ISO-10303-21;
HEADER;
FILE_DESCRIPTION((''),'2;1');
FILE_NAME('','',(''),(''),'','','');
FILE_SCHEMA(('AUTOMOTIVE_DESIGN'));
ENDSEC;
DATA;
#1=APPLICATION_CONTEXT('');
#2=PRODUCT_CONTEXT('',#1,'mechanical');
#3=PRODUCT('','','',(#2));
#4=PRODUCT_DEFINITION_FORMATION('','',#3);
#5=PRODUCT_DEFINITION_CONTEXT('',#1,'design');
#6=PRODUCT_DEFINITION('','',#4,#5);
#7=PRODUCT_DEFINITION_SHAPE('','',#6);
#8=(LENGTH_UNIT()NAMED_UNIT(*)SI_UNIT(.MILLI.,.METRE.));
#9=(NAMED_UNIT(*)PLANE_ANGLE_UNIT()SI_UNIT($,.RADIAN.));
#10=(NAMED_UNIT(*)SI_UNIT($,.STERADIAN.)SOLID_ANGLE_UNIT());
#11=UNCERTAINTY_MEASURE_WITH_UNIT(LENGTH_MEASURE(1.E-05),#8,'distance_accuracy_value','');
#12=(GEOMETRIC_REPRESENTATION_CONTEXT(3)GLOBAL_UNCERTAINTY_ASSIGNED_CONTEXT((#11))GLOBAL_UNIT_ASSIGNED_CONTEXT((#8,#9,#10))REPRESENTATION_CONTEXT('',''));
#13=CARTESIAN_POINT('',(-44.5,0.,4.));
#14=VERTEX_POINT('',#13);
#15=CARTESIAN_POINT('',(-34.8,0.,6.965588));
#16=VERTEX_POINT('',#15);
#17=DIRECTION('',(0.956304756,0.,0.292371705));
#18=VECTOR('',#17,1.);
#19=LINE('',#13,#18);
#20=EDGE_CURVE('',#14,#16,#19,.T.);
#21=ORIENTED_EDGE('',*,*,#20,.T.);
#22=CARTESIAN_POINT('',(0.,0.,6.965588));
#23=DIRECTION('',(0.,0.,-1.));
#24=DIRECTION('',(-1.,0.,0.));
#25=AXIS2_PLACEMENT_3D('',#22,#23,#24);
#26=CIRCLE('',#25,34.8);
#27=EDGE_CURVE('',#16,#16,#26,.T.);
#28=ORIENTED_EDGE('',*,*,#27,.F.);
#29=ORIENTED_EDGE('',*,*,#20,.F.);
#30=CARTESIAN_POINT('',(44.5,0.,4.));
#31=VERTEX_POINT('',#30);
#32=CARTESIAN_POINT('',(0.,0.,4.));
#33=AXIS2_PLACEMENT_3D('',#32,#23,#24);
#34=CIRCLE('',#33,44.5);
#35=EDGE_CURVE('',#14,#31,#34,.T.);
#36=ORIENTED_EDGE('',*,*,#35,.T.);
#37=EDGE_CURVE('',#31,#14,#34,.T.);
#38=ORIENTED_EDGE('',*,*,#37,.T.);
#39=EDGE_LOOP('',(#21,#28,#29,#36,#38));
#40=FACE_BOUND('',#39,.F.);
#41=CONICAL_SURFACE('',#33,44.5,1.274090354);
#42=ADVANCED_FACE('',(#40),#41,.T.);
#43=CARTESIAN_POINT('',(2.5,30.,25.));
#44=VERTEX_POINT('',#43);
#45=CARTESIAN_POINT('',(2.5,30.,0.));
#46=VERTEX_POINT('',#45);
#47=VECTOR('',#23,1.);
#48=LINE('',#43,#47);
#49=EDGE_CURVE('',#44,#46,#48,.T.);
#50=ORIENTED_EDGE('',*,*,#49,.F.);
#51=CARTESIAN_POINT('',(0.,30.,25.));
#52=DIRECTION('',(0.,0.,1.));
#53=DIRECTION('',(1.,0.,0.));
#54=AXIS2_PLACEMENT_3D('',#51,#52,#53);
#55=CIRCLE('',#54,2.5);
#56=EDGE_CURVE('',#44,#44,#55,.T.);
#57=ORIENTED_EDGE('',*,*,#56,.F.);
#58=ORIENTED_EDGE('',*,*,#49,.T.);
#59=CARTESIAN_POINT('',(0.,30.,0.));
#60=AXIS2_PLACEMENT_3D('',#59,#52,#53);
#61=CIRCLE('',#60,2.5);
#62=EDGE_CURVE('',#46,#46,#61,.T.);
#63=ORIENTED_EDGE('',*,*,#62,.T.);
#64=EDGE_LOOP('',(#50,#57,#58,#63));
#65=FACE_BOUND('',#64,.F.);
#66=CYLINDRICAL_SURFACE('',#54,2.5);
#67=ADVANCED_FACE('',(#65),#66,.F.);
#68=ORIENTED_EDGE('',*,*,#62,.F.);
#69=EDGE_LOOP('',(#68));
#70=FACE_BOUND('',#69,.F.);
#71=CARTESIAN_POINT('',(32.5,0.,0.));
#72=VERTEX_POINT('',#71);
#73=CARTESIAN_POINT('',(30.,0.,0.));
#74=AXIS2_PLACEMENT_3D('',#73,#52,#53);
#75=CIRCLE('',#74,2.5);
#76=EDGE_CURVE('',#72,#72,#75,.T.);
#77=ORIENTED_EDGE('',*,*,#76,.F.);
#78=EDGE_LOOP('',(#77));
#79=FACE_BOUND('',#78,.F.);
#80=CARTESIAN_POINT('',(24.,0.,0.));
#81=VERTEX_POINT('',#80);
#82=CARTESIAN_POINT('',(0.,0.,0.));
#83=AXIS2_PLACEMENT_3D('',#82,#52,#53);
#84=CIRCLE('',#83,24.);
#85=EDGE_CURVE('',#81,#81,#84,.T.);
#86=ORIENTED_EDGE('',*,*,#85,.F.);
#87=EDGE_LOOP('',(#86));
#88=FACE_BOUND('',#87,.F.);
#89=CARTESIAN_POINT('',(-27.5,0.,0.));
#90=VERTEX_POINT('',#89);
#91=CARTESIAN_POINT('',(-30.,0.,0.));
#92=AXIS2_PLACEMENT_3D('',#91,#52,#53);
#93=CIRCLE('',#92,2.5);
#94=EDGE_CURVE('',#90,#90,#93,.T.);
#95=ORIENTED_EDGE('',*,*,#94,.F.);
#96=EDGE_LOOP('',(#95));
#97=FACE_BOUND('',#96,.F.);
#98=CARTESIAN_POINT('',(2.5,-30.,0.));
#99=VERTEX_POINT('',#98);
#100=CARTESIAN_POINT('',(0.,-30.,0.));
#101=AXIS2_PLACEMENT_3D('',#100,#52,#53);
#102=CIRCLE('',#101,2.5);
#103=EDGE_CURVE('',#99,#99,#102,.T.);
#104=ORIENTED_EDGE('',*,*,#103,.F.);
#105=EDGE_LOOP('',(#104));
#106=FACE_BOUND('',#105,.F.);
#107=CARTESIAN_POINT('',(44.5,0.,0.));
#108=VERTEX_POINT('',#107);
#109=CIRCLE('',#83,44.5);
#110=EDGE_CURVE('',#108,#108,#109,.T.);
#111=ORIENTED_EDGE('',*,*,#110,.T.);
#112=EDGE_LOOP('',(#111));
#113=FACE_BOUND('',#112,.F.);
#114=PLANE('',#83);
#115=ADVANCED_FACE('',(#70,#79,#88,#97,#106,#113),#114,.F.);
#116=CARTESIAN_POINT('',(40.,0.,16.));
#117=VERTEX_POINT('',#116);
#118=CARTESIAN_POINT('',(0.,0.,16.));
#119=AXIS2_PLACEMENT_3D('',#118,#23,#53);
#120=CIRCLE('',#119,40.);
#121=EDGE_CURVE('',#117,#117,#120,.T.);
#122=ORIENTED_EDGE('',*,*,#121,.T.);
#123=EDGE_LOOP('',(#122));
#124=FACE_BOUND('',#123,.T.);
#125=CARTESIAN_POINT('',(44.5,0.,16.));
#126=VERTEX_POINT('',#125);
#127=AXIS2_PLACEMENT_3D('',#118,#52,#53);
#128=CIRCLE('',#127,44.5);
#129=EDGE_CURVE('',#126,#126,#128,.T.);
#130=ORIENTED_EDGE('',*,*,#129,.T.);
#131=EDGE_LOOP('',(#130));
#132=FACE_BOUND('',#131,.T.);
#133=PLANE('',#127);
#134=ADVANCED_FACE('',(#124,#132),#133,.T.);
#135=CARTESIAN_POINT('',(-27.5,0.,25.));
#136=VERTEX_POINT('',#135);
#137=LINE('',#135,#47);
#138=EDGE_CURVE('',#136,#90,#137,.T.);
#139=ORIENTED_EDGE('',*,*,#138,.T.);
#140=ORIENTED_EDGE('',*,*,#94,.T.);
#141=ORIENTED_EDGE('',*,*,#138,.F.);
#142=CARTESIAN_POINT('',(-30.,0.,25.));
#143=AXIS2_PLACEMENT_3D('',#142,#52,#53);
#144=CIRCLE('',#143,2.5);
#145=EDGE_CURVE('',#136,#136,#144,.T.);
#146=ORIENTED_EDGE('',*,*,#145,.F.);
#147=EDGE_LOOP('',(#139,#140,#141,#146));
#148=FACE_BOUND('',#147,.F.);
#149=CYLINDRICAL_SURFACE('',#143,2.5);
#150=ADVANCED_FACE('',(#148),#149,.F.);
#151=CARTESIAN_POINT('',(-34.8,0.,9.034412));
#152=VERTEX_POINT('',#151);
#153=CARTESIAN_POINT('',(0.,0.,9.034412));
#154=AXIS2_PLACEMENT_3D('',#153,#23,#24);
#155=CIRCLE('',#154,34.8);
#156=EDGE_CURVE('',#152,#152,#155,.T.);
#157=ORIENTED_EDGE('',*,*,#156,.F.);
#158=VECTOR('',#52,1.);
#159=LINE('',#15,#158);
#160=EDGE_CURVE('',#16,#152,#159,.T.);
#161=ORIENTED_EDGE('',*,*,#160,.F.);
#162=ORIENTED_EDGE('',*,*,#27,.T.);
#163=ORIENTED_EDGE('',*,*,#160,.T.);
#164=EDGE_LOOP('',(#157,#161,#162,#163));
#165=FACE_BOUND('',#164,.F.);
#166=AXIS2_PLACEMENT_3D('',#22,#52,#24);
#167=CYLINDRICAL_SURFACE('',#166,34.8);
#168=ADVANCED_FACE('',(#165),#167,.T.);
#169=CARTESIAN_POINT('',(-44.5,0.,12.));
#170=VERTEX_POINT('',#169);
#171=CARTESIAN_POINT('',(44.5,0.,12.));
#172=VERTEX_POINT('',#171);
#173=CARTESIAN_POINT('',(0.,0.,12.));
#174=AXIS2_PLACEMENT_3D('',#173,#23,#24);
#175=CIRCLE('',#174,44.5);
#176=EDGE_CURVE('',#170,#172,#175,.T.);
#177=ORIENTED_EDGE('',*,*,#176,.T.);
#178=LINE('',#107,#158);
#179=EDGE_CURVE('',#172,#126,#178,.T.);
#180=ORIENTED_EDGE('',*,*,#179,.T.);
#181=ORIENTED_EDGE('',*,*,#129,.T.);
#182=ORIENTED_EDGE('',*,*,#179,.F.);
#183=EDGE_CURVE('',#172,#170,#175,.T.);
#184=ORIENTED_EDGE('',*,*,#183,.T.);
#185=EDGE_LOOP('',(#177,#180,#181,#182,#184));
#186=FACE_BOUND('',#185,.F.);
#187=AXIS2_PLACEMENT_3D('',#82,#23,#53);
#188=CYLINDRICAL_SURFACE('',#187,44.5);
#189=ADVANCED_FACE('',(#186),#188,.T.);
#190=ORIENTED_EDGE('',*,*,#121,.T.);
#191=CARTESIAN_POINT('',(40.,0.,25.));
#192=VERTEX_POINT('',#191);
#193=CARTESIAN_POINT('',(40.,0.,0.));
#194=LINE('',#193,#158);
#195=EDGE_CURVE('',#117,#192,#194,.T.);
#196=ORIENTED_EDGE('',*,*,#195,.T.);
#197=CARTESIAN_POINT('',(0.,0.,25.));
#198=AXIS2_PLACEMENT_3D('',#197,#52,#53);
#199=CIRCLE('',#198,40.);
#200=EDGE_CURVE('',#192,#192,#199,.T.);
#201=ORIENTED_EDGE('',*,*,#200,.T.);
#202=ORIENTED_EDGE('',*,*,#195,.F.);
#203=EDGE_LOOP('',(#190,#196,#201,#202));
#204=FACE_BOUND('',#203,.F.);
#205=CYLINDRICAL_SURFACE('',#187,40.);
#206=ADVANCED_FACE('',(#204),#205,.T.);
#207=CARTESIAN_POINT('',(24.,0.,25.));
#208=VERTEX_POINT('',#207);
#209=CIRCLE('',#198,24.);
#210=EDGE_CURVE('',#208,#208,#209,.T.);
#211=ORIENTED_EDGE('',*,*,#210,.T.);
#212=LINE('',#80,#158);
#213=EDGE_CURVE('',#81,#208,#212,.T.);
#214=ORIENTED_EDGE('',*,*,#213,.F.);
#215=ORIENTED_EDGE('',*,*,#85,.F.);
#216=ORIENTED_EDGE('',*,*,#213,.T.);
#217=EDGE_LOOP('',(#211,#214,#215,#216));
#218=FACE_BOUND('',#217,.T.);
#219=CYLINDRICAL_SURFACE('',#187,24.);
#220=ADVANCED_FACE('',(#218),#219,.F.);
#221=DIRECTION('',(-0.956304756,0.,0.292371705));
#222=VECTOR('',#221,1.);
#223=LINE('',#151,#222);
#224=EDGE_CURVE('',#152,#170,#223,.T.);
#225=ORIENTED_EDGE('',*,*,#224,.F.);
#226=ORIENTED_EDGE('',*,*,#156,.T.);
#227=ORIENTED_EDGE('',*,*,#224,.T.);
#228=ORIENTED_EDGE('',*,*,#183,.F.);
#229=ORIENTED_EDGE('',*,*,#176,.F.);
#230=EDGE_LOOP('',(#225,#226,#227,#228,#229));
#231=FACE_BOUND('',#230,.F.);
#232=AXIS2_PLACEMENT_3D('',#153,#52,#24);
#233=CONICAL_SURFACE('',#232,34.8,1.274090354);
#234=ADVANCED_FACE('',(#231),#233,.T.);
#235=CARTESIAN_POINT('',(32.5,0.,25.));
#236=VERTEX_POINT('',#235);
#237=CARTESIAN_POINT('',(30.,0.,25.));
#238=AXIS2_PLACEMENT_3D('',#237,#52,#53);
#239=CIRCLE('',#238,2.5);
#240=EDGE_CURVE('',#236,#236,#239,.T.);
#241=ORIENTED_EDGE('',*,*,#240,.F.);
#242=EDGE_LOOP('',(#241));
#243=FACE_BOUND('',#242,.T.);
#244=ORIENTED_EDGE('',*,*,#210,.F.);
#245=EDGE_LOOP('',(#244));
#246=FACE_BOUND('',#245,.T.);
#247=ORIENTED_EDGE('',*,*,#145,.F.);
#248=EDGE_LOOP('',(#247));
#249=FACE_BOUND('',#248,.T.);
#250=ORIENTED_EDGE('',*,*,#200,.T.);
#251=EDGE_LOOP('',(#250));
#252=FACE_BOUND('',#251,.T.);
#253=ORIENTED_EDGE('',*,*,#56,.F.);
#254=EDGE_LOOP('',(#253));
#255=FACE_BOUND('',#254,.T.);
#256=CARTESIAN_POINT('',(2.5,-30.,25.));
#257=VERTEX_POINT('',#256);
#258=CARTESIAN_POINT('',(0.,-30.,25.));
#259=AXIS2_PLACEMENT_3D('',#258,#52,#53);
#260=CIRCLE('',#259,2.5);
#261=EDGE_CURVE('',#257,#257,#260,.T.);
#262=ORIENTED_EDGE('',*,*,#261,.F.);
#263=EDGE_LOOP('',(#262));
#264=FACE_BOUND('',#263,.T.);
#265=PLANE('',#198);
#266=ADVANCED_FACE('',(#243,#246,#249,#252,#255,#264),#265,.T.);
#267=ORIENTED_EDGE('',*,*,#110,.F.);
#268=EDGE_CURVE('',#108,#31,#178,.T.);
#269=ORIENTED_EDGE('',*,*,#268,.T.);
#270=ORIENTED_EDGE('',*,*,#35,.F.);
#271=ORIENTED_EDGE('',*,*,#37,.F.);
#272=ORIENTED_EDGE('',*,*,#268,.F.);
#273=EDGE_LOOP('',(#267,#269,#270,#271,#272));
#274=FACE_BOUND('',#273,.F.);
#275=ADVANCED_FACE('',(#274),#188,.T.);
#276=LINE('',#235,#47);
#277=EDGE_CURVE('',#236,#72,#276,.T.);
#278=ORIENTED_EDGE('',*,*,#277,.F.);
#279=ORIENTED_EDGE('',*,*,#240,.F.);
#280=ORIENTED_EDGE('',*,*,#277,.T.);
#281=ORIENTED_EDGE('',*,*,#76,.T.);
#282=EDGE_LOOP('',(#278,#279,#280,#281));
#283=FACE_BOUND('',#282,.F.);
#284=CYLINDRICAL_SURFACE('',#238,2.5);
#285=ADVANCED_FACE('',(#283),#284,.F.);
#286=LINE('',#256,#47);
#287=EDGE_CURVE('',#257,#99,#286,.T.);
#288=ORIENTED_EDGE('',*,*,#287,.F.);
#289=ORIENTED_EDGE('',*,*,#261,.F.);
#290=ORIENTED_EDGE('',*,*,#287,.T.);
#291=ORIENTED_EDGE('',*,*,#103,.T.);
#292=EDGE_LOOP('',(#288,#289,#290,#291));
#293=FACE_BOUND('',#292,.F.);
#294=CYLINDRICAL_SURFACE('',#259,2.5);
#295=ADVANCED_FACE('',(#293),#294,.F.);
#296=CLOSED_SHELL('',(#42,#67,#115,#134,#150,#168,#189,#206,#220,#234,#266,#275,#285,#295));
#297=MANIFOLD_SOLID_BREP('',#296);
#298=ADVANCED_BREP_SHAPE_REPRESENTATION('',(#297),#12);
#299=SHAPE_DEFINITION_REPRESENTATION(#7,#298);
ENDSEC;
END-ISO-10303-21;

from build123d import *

# Parameters (mm, degrees)
F0_R     = 44.5
F0_R_2   = 40
F0_R_3   = 24
F1_DEPTH = 16
F2_DEPTH = 25
F5_R     = 2.5
F6_DEPTH = 25


with BuildPart() as f1:
    # F0 (on Top) → F1 (new body)
    with BuildSketch(Plane.XY):
        Circle(F0_R)
        Circle(F0_R_2, mode=Mode.SUBTRACT)
        Circle(F0_R_2)
        Circle(F0_R_3, mode=Mode.SUBTRACT)
    extrude(amount=F1_DEPTH)

    # F0 (on Top) → F2 (join)
    with BuildSketch(Plane.XY):
        Circle(F0_R_2)
        Circle(F0_R_3, mode=Mode.SUBTRACT)
    extrude(amount=F2_DEPTH)

    # F3 (on Front) → F4 (revolve, cut)
    with BuildSketch(Plane.XZ):
        Polygon((-34.8, 9.0344123899), (-44.5, 12), (-44.5, 4), (-34.8, 6.9655876101), align=None)
    revolve(axis=Axis((0, 0, -5.6256647222), (0, 0, -1)), mode=Mode.SUBTRACT)

    # F5 (on face) → F6 (cut)
    with BuildSketch(Plane.XY.offset(25)):
        with Locations((0, 30)):
            Circle(F5_R)
        with Locations((30, 0)):
            Circle(F5_R)
        with Locations((0, -30)):
            Circle(F5_R)
        with Locations((-30, 0)):
            Circle(F5_R)
    extrude(amount=-F6_DEPTH, mode=Mode.SUBTRACT)


solid = f1.part
